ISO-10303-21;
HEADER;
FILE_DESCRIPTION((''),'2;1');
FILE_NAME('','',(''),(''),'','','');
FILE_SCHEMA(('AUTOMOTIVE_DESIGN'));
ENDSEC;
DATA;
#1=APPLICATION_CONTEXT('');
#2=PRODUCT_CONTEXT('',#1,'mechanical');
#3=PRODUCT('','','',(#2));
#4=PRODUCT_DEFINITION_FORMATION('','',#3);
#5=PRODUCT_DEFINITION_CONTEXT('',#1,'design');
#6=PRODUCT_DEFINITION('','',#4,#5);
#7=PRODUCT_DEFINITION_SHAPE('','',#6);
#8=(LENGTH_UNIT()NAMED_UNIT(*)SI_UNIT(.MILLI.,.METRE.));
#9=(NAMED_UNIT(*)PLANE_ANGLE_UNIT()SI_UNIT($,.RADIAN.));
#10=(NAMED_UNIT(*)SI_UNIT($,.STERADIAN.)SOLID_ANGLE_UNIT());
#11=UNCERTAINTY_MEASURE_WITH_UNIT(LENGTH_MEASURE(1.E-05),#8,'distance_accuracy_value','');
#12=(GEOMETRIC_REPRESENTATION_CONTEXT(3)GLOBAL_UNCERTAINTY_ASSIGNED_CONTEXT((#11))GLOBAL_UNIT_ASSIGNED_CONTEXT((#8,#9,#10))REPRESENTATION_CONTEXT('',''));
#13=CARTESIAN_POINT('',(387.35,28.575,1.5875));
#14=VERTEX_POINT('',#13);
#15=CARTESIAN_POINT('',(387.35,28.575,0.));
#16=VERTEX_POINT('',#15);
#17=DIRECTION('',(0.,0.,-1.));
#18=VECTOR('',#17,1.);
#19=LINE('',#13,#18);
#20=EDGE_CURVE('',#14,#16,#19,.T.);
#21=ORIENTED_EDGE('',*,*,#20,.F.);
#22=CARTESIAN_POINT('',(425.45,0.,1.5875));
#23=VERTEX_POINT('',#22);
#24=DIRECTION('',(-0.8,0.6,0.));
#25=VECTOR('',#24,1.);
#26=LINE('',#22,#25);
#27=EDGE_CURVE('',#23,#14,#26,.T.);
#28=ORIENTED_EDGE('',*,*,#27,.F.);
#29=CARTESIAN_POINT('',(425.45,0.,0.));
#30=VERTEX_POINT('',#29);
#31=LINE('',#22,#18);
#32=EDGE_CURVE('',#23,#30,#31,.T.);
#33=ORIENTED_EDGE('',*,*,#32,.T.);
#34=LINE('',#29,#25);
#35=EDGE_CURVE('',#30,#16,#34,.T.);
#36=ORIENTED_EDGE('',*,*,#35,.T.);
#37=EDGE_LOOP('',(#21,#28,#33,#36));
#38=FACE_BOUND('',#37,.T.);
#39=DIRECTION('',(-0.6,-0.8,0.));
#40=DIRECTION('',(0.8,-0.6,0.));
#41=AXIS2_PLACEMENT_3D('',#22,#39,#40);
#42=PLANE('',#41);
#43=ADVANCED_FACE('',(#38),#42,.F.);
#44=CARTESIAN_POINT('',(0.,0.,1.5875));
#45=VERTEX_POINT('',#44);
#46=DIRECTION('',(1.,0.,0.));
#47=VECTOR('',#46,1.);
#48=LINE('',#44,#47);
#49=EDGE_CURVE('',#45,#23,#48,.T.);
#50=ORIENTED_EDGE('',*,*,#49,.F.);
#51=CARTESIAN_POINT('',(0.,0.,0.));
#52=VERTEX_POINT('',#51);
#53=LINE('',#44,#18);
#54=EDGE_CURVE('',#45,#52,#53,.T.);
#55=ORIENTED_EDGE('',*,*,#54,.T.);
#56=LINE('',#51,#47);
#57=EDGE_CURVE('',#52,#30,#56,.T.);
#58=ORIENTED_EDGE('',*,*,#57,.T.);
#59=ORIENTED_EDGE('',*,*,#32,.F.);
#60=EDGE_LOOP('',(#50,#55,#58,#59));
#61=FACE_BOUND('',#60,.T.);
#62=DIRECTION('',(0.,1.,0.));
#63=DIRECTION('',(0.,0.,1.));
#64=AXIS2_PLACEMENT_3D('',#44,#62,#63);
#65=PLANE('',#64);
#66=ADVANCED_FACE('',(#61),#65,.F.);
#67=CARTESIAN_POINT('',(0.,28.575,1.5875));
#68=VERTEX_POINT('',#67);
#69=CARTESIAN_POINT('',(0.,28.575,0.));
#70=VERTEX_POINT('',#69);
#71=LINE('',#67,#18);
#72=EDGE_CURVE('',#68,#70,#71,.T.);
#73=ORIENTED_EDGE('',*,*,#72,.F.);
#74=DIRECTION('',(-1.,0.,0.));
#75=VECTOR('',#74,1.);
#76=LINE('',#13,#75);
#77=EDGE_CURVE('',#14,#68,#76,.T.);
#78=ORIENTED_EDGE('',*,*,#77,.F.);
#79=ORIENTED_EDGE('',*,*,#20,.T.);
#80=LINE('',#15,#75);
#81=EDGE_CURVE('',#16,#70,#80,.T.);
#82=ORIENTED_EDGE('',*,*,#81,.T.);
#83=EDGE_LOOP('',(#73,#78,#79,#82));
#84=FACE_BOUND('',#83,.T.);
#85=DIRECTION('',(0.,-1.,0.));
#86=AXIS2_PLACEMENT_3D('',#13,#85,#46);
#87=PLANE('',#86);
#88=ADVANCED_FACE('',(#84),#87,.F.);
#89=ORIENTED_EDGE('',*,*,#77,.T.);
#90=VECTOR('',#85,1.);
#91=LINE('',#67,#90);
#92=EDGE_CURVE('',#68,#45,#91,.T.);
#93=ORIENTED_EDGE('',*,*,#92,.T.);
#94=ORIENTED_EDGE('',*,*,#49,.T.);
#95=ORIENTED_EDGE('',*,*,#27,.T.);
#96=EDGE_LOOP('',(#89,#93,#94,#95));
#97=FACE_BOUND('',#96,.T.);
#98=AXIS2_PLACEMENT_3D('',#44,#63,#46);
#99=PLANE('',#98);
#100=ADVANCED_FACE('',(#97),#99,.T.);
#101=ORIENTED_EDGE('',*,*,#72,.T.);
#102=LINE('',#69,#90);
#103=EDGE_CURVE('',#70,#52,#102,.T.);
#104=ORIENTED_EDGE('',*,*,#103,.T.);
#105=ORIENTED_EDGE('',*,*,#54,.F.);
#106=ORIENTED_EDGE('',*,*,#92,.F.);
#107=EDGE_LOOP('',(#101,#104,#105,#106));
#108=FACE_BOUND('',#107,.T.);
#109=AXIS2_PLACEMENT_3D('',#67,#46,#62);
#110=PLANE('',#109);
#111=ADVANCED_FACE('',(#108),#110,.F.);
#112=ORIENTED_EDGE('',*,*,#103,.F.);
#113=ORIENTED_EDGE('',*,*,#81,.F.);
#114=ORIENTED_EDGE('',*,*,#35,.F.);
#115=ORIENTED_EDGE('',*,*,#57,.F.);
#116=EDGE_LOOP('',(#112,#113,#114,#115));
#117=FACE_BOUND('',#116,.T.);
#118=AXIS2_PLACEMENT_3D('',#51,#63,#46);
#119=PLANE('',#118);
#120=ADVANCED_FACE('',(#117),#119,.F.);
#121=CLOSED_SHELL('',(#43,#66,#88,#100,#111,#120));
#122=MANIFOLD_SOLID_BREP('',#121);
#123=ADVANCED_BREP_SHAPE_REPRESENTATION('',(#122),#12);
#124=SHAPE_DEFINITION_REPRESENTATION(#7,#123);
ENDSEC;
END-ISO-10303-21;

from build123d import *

# Parameters (mm, degrees)
BOSS_EXTRUDE1_DEPTH = 1.5875


with BuildPart() as part:
    # Sketch2 → Boss-Extrude1 (new body)
    with BuildSketch(Plane.XY):
        Polygon((0, 0), (425.45, 0), (387.35, 28.575), (0, 28.575), align=None)
    extrude(amount=BOSS_EXTRUDE1_DEPTH)


solid = part.part
